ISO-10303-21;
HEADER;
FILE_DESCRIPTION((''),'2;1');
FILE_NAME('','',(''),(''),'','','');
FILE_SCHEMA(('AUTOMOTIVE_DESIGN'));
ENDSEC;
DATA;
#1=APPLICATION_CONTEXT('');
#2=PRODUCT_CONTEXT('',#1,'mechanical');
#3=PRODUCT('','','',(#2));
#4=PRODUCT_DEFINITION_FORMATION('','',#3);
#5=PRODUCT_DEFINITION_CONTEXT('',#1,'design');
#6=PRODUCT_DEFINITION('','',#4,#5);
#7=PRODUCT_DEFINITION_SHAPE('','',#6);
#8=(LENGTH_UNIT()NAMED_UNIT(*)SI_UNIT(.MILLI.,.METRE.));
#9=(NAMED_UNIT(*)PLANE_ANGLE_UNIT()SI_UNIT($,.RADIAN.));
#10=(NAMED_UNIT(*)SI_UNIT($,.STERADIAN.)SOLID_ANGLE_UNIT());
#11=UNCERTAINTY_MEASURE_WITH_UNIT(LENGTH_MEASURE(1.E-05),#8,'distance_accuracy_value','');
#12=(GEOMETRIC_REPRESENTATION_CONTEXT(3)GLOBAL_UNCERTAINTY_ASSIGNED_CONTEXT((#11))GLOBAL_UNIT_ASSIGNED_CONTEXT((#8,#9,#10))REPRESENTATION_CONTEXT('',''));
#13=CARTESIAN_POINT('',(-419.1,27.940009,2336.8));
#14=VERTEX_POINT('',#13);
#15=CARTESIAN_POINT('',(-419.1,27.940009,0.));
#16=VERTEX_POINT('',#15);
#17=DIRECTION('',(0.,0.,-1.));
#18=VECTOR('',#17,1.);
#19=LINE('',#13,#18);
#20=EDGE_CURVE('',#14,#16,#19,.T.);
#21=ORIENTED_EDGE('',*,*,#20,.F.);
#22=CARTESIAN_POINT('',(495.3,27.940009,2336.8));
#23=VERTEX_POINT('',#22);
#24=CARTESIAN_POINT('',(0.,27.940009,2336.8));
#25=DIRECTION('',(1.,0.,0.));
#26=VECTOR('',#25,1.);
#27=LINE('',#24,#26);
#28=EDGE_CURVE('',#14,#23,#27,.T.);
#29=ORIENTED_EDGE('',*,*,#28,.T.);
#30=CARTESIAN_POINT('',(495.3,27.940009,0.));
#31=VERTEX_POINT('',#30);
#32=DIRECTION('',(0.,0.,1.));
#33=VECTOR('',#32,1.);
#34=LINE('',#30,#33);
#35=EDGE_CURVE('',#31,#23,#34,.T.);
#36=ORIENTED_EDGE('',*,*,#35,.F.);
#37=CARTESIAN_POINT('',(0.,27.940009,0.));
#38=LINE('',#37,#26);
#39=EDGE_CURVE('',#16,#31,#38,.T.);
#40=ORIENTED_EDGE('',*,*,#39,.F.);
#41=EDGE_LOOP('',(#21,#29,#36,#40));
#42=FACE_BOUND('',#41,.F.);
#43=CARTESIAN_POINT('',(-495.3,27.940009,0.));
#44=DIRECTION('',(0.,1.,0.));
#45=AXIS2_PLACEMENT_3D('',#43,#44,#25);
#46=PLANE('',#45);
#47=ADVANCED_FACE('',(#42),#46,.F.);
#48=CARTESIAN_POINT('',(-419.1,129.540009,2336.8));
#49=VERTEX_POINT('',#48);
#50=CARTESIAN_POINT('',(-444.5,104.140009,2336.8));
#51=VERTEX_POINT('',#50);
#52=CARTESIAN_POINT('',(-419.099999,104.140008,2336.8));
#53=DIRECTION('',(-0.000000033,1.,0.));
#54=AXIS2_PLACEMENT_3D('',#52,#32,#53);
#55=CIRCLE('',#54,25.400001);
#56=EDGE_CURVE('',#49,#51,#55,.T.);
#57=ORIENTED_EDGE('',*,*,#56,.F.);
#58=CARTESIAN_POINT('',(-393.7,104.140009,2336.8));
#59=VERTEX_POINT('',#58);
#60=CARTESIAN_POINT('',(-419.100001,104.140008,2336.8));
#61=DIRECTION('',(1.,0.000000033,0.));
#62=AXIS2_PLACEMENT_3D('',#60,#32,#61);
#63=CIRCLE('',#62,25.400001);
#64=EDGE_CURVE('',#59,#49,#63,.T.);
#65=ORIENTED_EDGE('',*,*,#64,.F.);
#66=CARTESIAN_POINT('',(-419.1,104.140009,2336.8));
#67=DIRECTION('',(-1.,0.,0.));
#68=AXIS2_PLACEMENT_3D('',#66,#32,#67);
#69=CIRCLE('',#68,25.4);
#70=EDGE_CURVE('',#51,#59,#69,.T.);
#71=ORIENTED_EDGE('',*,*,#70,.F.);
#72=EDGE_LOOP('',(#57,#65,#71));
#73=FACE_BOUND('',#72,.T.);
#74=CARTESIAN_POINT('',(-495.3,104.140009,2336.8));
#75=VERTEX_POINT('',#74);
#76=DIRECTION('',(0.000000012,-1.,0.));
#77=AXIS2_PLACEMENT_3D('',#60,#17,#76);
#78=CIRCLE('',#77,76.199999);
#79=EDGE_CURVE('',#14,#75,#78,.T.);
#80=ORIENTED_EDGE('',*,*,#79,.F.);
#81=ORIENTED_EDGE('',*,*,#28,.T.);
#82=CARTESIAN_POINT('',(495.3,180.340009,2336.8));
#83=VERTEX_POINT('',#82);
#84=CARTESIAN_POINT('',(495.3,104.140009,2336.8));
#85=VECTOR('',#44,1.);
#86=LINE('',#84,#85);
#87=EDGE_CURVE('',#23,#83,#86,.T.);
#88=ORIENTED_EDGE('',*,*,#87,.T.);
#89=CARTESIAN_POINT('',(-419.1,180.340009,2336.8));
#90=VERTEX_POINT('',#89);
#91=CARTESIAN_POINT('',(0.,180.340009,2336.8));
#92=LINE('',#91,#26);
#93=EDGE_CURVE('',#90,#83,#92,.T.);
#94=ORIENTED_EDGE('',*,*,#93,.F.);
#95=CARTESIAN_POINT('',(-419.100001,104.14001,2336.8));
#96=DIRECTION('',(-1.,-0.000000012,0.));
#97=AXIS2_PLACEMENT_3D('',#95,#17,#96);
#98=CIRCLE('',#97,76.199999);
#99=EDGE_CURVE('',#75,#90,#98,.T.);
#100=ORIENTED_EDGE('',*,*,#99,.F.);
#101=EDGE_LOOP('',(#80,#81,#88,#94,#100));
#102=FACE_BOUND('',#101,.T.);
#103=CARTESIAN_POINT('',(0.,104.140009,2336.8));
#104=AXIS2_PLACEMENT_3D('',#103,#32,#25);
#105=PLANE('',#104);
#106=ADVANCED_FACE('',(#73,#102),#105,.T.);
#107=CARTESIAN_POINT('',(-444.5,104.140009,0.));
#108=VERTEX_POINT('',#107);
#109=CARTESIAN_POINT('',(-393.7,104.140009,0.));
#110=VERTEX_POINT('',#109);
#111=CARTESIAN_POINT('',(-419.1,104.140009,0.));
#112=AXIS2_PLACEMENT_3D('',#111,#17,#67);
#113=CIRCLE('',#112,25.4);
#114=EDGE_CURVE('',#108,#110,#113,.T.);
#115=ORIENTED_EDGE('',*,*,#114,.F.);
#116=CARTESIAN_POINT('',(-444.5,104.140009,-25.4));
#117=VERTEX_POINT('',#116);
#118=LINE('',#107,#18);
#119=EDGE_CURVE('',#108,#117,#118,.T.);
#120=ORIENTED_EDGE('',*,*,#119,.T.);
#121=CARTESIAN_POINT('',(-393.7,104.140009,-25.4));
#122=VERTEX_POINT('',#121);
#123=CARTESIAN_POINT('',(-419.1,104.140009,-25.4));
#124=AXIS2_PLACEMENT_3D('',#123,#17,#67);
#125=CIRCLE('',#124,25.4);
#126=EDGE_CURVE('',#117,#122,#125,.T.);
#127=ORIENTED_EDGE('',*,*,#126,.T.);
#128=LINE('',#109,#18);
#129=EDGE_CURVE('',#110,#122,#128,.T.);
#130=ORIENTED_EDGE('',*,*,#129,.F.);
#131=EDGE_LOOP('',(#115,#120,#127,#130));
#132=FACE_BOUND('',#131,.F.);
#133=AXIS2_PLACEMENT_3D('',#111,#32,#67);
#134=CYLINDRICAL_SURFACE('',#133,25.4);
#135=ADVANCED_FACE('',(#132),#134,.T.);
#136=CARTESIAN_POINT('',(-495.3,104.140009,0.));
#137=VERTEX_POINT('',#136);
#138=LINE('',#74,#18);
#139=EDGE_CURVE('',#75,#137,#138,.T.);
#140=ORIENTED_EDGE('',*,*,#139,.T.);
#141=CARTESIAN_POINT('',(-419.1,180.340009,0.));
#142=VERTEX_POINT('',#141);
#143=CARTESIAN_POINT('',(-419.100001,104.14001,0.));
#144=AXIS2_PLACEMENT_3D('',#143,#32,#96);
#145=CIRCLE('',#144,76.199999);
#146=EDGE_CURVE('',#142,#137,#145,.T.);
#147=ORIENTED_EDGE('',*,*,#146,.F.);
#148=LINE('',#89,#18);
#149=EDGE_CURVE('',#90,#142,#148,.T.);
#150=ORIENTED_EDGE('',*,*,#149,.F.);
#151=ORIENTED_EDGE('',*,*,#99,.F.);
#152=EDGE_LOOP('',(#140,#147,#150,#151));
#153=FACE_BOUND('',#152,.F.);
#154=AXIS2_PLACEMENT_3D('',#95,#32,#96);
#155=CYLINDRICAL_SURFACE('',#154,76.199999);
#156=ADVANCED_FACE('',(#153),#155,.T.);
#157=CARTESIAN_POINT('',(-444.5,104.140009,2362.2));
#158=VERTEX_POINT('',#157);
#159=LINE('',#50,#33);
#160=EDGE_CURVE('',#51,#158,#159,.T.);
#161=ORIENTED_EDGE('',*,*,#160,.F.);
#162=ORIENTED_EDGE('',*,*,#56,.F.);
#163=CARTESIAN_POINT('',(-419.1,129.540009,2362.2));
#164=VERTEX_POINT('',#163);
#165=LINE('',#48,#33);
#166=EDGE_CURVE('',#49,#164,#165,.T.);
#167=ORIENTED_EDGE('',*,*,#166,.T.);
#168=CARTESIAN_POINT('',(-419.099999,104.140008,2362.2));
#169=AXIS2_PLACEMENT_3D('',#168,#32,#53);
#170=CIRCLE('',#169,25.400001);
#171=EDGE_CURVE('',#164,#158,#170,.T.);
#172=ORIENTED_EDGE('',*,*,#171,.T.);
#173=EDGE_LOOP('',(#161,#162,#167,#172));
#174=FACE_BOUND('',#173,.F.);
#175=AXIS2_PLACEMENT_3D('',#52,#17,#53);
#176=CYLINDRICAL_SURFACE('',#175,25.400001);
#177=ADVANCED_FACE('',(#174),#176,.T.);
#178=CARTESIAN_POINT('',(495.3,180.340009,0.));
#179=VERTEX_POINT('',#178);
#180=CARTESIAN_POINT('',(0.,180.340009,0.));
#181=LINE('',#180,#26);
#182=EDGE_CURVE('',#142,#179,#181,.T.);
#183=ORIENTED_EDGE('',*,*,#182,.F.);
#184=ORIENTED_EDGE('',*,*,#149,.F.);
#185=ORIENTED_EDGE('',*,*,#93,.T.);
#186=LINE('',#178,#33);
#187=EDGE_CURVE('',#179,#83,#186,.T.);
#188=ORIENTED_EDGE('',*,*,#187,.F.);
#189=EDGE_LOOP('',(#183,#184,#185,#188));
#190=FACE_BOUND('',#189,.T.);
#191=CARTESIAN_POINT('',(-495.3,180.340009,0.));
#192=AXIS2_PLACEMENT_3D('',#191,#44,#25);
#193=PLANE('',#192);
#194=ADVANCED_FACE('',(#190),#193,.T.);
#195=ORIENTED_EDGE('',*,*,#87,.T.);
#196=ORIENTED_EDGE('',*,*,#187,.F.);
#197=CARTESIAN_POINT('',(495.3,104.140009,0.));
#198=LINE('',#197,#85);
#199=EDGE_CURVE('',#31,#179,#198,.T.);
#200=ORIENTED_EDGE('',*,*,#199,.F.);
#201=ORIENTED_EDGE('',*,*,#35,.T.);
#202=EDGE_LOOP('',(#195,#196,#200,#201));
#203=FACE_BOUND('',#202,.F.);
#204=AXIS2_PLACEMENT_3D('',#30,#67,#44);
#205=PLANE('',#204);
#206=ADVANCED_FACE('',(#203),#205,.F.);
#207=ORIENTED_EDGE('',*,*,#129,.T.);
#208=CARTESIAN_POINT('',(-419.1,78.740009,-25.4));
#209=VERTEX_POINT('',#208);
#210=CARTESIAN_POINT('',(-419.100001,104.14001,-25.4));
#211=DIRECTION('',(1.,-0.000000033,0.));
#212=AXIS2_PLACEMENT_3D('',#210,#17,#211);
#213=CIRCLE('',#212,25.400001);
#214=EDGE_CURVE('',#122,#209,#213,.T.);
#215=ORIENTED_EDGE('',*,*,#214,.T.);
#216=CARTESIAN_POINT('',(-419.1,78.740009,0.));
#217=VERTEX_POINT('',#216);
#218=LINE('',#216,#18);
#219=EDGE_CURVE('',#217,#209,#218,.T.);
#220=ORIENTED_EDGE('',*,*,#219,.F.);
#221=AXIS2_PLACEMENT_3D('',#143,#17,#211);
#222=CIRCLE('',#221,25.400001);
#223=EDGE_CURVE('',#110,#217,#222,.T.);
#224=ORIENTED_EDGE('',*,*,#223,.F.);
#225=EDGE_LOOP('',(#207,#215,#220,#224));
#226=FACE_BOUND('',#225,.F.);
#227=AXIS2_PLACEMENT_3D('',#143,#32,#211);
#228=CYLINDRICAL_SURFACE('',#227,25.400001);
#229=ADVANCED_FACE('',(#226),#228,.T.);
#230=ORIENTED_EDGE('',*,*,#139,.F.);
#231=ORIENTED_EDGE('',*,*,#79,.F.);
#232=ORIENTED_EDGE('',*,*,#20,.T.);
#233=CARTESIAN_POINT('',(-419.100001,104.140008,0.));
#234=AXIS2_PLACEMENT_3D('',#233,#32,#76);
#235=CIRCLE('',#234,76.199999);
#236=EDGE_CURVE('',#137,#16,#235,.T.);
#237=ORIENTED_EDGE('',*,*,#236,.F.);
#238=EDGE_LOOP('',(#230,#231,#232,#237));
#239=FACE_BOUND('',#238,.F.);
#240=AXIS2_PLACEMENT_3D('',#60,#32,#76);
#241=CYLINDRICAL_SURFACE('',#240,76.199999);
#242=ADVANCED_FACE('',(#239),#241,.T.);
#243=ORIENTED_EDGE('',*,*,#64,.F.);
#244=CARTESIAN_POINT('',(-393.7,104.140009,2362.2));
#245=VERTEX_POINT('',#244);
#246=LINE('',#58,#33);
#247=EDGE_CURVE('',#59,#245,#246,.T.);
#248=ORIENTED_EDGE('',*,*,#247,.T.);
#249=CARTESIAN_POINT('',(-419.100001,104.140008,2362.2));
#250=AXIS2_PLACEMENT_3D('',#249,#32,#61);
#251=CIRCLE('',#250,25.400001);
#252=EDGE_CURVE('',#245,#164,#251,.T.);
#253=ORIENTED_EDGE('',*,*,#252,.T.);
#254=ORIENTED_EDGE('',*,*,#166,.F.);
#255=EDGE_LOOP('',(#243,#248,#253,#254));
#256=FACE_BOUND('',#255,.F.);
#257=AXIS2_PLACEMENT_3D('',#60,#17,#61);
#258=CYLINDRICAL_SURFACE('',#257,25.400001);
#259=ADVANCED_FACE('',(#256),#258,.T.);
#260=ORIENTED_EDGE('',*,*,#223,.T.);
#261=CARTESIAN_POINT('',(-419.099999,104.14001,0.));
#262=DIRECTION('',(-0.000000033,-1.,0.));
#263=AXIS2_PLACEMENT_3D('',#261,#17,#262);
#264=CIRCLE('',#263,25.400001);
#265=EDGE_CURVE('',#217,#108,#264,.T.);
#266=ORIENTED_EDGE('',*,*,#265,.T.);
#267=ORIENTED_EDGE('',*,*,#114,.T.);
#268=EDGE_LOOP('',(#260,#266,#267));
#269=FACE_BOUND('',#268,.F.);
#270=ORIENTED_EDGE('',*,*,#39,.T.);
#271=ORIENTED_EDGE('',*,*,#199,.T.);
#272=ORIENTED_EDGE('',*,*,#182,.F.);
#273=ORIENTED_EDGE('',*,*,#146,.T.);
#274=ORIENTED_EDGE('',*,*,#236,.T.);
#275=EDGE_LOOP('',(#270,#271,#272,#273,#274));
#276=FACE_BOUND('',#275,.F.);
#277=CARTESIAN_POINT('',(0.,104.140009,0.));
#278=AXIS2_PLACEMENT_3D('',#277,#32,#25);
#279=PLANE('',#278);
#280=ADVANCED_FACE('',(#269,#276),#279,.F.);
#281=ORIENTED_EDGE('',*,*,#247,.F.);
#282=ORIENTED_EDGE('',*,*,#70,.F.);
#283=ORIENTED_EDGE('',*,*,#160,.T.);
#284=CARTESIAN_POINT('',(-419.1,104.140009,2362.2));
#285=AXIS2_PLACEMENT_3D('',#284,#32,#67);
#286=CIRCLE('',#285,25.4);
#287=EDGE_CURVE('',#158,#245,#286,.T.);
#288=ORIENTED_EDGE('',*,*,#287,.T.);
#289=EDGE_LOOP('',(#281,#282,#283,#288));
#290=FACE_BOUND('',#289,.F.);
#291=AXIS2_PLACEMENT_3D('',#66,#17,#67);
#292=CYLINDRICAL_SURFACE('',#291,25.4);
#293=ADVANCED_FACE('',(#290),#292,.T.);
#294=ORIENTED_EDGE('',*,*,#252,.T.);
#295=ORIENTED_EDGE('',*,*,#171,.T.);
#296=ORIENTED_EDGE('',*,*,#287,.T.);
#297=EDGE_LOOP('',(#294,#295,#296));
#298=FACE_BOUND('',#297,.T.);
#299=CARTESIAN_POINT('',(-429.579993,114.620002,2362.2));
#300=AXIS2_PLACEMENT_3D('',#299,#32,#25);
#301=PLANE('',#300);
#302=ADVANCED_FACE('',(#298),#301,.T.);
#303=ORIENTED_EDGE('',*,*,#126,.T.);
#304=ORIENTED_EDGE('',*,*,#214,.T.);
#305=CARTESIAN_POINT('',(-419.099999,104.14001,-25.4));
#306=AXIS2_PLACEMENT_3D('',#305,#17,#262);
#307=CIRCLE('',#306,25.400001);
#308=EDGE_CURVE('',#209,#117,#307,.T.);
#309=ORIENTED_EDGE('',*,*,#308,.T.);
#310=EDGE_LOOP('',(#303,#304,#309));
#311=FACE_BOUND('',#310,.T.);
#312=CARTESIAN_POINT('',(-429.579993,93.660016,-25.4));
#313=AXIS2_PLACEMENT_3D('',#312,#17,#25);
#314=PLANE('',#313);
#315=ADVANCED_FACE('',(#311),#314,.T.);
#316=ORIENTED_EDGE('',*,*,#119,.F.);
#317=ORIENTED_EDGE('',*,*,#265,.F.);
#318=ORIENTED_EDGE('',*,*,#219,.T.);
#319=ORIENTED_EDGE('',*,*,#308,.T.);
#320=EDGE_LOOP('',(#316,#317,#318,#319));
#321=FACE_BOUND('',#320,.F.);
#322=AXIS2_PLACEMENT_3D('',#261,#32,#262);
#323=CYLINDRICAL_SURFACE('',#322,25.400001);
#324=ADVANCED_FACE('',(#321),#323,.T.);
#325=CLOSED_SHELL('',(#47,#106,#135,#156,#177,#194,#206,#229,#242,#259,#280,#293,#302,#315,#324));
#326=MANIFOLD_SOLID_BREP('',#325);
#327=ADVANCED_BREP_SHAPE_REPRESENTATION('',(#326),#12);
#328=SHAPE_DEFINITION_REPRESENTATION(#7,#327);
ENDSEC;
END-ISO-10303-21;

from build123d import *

# Parameters (mm, degrees)
F0_W     = 990.6
F0_H     = 152.4
F1_DEPTH = 2336.8
F3_DEPTH = 25.4
F5_DEPTH = 25.4
F7_DEPTH = 2387.6


with BuildPart() as f1:
    # F0 (on Top) → F1 (new body)
    with BuildSketch(Plane.XY):
        with Locations((0, 104.140009)):
            Rectangle(F0_W, F0_H)
    extrude(amount=F1_DEPTH)

    # F2 (on face) → F3 (join)
    with BuildSketch(Plane.XY.offset(2336.8)):
        with BuildLine():
            Line((-419.1, 104.140009), (-419.1, 129.540009))
            ThreePointArc((-419.1, 129.540009), (-437.060512, 122.100521), (-444.5, 104.140009))
            Line((-444.5, 104.140009), (-419.1, 104.140009))
        make_face()
        with BuildLine():
            ThreePointArc((-393.7, 104.140009), (-401.139488, 122.100521), (-419.1, 129.540009))
            Line((-419.1, 129.540009), (-419.1, 104.140009))
            Line((-419.1, 104.140009), (-444.5, 104.140009))
            ThreePointArc((-444.5, 104.140009), (-419.1, 78.740009), (-393.7, 104.140009))
        make_face()
    extrude(amount=F3_DEPTH)

    # F4 (on face) → F5 (join)
    with BuildSketch(Plane(origin=(0, 0, 0), x_dir=(1, 0, 0), z_dir=(0, 0, -1))):
        with BuildLine():
            Line((-419.1, -104.140009), (-419.1, -78.740009))
            ThreePointArc((-419.1, -78.740009), (-437.060512, -86.179497), (-444.5, -104.140009))
            Line((-444.5, -104.140009), (-419.1, -104.140009))
        make_face()
        with BuildLine():
            ThreePointArc((-393.7, -104.140009), (-401.139488, -86.179497), (-419.1, -78.740009))
            Line((-419.1, -78.740009), (-419.1, -104.140009))
            Line((-419.1, -104.140009), (-444.5, -104.140009))
            ThreePointArc((-444.5, -104.140009), (-419.1, -129.540009), (-393.7, -104.140009))
        make_face()
    extrude(amount=F5_DEPTH)

    # F6 (on face) → F7 (cut)
    with BuildSketch(Plane.XY.offset(2336.8)):
        with BuildLine():
            Line((-495.3, 27.940009), (-419.1, 27.940009))
            ThreePointArc((-419.1, 27.940009), (-472.981537, 50.258472), (-495.3, 104.140009))
            Line((-495.3, 104.140009), (-495.3, 27.940009))
        make_face()
        with BuildLine():
            ThreePointArc((-495.3, 104.140009), (-472.981537, 158.021546), (-419.1, 180.340009))
            Line((-419.1, 180.340009), (-495.3, 180.340009))
            Line((-495.3, 180.340009), (-495.3, 104.140009))
        make_face()
    extrude(amount=-F7_DEPTH, mode=Mode.SUBTRACT)


solid = f1.part
